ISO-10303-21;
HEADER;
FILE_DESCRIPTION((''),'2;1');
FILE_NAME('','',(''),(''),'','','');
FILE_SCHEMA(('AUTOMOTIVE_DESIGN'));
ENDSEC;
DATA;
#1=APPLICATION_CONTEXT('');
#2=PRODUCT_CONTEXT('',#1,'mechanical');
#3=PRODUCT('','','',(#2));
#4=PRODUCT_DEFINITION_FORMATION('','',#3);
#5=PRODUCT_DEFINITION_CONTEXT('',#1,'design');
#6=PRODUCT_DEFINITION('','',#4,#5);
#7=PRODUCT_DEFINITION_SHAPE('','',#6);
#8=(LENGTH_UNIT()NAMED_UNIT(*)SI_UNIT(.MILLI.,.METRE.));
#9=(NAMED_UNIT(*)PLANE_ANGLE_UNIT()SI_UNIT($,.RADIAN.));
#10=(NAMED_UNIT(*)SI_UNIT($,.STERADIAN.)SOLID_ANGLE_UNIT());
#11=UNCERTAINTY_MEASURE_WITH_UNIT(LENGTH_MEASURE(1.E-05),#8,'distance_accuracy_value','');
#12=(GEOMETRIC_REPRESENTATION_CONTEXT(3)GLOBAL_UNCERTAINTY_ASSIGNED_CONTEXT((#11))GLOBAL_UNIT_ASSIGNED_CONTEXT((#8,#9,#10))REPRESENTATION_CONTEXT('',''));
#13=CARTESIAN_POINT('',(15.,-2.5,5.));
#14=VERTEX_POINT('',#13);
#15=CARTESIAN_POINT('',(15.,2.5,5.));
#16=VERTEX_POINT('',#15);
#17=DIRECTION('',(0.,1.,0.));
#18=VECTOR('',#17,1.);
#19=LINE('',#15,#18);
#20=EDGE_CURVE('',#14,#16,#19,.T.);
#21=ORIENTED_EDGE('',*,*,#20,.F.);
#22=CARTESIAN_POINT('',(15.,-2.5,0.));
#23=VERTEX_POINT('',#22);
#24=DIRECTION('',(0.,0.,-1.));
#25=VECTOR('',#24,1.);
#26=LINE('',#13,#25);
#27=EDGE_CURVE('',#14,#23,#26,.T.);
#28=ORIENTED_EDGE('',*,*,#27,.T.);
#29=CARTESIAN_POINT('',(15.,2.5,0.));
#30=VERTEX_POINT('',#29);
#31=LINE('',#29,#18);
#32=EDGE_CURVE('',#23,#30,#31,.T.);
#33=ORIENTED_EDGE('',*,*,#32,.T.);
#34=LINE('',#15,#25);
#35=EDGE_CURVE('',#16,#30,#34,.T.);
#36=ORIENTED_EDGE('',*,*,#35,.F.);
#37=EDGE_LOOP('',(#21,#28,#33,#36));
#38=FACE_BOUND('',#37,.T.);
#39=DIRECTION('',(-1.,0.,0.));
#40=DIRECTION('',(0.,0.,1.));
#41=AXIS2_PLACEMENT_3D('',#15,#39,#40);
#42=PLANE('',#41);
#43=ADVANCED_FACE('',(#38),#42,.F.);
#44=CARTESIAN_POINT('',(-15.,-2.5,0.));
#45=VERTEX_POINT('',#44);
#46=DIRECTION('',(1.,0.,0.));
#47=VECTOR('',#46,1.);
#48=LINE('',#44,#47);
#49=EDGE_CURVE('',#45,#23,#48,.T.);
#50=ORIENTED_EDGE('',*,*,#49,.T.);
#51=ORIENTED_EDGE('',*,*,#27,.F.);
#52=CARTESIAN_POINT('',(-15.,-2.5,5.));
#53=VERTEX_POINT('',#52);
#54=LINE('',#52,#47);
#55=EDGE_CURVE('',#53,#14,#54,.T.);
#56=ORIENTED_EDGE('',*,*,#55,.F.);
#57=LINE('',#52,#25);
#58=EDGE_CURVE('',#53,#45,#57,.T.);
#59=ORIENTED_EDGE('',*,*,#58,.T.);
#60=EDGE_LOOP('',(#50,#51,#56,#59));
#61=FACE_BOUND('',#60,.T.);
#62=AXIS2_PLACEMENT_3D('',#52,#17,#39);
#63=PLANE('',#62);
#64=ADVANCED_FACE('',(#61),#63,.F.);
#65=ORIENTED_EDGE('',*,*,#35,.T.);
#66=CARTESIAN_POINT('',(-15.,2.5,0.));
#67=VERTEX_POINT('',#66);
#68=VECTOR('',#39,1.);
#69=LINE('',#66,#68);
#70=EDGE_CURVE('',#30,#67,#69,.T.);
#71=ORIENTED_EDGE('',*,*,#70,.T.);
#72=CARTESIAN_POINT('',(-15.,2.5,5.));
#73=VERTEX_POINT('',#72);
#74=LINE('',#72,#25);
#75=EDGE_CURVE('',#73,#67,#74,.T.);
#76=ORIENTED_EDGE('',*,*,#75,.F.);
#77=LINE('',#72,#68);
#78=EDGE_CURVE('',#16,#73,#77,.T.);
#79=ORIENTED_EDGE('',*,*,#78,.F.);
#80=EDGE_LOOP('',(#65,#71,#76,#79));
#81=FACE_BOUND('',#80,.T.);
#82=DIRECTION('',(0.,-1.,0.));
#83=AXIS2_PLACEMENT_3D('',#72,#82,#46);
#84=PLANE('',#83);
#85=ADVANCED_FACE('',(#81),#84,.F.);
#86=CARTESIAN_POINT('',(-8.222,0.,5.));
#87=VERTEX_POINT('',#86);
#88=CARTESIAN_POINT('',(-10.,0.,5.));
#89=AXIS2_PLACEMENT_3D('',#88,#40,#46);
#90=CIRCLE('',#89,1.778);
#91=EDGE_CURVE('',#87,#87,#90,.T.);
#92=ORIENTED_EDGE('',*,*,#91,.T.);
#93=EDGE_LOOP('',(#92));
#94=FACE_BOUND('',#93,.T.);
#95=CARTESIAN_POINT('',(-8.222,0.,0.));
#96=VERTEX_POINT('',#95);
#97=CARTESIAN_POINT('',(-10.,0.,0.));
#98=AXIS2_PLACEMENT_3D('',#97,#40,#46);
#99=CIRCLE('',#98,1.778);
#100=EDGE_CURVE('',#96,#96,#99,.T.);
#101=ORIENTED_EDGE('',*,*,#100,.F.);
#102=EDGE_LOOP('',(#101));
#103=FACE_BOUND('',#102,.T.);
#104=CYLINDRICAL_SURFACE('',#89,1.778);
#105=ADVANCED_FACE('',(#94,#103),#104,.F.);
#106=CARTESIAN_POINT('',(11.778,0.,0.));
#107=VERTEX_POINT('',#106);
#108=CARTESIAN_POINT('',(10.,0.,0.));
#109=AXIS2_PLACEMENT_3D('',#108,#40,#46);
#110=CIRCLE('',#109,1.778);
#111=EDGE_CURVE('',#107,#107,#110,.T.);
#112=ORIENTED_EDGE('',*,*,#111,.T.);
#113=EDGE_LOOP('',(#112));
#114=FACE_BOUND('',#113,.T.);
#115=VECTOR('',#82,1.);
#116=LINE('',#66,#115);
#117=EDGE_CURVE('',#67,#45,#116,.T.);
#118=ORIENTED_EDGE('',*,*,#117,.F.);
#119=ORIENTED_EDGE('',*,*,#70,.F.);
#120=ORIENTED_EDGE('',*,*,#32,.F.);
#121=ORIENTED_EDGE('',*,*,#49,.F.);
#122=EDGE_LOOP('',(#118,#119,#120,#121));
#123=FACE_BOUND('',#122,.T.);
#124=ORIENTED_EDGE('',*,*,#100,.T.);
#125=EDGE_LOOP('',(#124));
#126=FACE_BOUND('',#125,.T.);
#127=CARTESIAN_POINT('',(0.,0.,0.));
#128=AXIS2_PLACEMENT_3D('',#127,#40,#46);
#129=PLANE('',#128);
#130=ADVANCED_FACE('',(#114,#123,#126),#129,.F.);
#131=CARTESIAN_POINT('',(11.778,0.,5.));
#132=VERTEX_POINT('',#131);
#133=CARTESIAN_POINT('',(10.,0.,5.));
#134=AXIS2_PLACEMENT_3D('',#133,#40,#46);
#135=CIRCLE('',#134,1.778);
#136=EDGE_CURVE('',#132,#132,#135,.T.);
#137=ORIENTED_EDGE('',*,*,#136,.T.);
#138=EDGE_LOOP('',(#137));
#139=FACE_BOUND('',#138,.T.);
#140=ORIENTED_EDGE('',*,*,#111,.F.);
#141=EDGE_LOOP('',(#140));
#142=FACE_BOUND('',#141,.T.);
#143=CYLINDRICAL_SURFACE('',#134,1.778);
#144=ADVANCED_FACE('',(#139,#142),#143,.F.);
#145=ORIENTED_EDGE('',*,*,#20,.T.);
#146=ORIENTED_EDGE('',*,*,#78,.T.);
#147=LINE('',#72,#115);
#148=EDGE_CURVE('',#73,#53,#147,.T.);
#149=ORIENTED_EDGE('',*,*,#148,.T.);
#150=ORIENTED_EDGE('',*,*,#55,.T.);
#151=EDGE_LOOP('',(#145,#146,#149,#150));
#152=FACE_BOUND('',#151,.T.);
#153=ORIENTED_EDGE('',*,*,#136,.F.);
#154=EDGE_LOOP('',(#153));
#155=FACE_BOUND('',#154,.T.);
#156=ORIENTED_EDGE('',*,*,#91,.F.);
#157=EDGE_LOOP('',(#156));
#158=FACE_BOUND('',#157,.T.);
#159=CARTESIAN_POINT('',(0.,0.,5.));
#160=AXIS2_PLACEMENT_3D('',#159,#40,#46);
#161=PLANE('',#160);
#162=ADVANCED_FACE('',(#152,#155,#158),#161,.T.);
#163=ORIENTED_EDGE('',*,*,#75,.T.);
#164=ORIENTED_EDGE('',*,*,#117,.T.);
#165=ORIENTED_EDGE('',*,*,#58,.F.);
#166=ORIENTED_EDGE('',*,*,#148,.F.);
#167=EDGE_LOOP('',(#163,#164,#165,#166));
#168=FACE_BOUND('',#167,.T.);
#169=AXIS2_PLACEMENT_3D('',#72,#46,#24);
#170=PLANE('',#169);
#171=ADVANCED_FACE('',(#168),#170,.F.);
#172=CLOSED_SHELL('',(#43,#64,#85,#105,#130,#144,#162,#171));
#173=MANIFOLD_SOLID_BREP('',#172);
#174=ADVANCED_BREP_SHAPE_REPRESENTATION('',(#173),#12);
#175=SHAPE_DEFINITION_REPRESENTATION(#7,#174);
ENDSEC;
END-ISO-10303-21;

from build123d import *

# Parameters (mm, degrees)
SKETCH1_W                    = 30
SKETCH1_H                    = 5
BOSS_EXTRUDE1_DEPTH          = 5
F_5_32_0_14_DIAMETER_HOLE1_D = 3.556


with BuildPart() as part:
    # Sketch1 → Boss-Extrude1 (new body)
    with BuildSketch(Plane.XY):
        Rectangle(SKETCH1_W, SKETCH1_H)
    extrude(amount=BOSS_EXTRUDE1_DEPTH)

    # 5/32 (0.14) Diameter Hole1 (through all)
    with Locations(Plane.XY.offset(5)):
        with Locations((-10, 0), (10, 0)):
            Hole(F_5_32_0_14_DIAMETER_HOLE1_D / 2)


solid = part.part
